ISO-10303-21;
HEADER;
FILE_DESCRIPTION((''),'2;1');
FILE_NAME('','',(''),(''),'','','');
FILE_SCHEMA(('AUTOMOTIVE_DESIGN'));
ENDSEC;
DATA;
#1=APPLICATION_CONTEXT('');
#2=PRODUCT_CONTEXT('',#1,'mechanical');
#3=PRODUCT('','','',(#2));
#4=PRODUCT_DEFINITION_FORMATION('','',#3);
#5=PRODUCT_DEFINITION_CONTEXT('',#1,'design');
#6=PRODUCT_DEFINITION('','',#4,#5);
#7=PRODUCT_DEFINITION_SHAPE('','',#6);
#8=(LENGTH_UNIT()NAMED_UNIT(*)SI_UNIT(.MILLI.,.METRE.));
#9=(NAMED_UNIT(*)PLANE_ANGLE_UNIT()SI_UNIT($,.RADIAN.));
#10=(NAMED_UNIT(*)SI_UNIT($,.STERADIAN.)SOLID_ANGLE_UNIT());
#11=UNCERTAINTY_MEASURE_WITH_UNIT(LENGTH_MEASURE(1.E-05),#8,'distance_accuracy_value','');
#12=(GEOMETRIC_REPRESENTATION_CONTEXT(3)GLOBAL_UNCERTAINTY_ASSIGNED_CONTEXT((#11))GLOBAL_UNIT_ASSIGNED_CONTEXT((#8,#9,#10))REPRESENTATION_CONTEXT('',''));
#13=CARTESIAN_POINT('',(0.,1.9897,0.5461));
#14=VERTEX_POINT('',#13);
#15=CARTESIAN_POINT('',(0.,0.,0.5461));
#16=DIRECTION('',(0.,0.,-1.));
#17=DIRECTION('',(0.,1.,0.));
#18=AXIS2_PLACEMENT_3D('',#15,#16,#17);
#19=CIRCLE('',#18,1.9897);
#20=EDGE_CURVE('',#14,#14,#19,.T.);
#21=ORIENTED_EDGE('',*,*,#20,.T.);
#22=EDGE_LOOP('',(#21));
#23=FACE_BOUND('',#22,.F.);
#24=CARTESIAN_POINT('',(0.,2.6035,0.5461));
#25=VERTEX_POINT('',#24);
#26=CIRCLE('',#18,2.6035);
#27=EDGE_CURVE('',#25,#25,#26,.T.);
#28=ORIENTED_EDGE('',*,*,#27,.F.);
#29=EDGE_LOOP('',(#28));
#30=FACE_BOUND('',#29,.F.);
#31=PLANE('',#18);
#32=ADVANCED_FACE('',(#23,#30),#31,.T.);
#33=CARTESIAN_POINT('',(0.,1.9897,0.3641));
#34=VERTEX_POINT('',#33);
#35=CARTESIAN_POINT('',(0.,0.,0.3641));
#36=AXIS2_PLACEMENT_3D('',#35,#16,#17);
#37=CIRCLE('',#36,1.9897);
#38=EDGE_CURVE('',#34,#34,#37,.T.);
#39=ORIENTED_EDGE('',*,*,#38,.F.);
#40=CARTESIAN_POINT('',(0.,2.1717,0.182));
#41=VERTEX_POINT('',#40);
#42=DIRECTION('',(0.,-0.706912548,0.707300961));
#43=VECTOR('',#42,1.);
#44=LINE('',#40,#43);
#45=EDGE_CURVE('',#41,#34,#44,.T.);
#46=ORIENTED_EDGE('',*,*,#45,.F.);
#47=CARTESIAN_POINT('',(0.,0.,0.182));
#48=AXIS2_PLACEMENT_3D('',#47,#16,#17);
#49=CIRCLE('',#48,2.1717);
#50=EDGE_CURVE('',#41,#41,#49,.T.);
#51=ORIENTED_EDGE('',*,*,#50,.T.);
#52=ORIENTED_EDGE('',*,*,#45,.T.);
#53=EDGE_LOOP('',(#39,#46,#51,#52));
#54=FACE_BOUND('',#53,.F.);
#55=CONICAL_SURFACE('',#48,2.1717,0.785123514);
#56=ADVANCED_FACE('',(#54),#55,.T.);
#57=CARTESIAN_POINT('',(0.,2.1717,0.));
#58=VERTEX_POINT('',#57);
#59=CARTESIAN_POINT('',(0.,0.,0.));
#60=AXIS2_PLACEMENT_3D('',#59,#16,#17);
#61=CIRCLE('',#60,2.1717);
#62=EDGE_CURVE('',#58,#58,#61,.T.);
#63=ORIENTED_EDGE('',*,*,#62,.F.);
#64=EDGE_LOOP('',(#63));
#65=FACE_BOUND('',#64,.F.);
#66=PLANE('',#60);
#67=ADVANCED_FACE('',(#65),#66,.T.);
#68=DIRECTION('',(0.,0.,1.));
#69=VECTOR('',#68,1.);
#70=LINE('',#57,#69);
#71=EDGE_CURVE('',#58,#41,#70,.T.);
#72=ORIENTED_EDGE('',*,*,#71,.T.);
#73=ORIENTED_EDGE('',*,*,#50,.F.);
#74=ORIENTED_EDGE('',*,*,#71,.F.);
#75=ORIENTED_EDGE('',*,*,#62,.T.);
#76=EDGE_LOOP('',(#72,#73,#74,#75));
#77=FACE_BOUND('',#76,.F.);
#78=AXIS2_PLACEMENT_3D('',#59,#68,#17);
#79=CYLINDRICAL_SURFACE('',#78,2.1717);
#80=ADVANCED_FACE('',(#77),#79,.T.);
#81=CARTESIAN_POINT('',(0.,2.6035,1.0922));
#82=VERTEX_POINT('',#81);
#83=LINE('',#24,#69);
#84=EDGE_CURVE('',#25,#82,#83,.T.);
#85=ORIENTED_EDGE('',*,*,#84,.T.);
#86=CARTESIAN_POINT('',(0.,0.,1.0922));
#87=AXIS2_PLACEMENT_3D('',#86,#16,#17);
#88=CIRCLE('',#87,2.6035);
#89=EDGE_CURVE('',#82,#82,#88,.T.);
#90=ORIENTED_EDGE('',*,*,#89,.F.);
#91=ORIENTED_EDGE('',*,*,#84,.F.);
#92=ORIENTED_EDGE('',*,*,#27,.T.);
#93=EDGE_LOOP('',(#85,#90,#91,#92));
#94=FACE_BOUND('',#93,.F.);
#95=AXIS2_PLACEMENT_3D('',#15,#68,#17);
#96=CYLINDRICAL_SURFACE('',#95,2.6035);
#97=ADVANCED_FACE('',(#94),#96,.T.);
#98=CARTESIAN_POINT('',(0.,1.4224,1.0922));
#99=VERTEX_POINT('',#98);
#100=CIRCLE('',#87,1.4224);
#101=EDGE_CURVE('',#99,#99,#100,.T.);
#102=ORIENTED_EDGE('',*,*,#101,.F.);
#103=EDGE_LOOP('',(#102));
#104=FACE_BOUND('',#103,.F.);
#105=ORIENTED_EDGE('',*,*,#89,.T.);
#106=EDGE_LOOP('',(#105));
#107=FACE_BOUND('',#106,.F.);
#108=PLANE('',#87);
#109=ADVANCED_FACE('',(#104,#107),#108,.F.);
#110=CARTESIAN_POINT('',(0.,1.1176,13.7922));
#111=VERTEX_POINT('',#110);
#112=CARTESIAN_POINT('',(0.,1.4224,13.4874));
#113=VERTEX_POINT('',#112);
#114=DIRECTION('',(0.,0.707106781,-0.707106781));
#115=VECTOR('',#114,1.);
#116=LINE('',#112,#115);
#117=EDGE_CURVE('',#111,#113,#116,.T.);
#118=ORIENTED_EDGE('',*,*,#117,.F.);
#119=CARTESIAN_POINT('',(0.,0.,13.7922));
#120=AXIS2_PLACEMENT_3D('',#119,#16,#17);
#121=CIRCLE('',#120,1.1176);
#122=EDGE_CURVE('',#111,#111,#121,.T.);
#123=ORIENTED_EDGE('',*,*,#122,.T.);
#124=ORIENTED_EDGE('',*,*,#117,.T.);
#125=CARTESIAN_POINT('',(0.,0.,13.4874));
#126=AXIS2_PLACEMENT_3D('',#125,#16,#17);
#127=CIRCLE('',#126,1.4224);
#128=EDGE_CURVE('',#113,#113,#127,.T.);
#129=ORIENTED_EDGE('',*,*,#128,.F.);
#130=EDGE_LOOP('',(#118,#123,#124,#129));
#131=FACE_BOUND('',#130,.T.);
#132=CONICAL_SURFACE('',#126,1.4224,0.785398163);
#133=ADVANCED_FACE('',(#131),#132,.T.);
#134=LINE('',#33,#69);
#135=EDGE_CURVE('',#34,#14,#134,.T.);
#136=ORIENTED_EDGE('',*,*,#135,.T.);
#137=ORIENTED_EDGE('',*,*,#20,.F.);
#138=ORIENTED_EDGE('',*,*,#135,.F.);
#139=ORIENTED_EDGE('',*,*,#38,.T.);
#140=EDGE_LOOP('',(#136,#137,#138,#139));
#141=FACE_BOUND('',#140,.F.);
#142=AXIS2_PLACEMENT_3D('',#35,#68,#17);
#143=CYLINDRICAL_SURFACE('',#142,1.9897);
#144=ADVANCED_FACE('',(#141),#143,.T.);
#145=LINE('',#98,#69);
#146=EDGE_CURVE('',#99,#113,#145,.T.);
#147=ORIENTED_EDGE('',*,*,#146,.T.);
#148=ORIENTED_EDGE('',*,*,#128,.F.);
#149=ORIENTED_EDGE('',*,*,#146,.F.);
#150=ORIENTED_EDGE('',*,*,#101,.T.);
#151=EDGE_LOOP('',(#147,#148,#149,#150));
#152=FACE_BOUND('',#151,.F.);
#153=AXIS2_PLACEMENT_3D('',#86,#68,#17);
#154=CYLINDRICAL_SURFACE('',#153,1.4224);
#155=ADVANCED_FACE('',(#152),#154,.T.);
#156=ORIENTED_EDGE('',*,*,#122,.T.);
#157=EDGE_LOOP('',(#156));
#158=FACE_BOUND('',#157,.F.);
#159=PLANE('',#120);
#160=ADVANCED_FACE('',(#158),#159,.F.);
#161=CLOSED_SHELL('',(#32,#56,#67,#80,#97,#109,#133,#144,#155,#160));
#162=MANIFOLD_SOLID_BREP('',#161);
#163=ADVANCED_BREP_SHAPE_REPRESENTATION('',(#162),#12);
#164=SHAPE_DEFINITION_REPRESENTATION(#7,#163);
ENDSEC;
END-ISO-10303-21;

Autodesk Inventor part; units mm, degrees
ref_plane "YZ Plane" through (0, 0, 0) normal (1, 0, 0) x (0, 1, 0)
ref_plane "XZ Plane" through (0, 0, 0) normal (0, 1, 0) x (-1, 0, 0)
ref_plane "XY Plane" through (0, 0, 0) normal (0, 0, 1) x (1, 0, 0)
sketch "Sketch1" plane through (0, 0, 0) normal (1, 0, 0) x (0, 1, 0)
  line L0 (0, 0) -> (2.1717, 0)
  line L1 (2.1717, 0) -> (2.1717, 0.182)
  line L2 (2.1717, 0.182) -> (1.9897, 0.3641)
  line L3 (1.9897, 0.3641) -> (1.9897, 0.5461)
  line L4 (1.9897, 0.5461) -> (2.6035, 0.5461)
  line L5 (2.6035, 0.5461) -> (2.6035, 1.0922)
  line L6 (2.6035, 1.0922) -> (1.4224, 1.0922)
  line L7 (1.4224, 1.0922) -> (1.4224, 13.7922)
  line L8 (1.4224, 13.7922) -> (0, 13.7922)
  line L9 (0, 13.7922) -> (0, 0)
  dimension "d0" = 4.3434
  dimension "d1" = 1.0922
  dimension "d2" = 0.5461
  dimension "d3" = 5.207
  dimension "d4" = 0.182
  dimension "d5" = 0.182
  dimension "d6" = 12.7
  dimension "d7" = 2.8448
revolve "Obrót1" add sketch "Sketch1" angle 360 about axis through (0, 0, 13.7922) along (0, 0, -1)
thread "Gwint1" size "4-40 UNC" class "2A" standard "ANSI Unified Screw Threads" length 12.7 offset 1.5748
chamfer "Faza1" distance 0.3048 angle 45 1 edges at (0, -1.4224, 13.7922)
equation "\"d8\" = L"
equation "\"d10\" = C1"
equation "\"d0\" = C_"
equation "\"d1\" = A_"
equation "\"d2\" = 0.5 * A_"
equation "\"d3\" = E_"
equation "\"d4\" = 0.166667 * A_"
equation "\"d5\" = 0.166667 * A_"
equation "\"d6\" = L"
equation "\"d7\" = Thread"
equation "\"A_\" = 1.0922"
equation "\"C_\" = 4.3434"
equation "\"E_\" = 5.207"
equation "\"L\" = 12.7"
equation "\"Thread\" = 2.8448"
equation "\"C1\" = 0.3048"
equation "\"Min_Thick\" = 1.5748"
equation "\"B_Hole\" = 4.3688"
equation "\"Min_Depht\" = 10.922"
equation "\"Min_Dist\" = 3.9624"
equation "\"Max_Hole\" = 3.429"
properties part number "CHA-440-8" material "Aluminium 6061"
